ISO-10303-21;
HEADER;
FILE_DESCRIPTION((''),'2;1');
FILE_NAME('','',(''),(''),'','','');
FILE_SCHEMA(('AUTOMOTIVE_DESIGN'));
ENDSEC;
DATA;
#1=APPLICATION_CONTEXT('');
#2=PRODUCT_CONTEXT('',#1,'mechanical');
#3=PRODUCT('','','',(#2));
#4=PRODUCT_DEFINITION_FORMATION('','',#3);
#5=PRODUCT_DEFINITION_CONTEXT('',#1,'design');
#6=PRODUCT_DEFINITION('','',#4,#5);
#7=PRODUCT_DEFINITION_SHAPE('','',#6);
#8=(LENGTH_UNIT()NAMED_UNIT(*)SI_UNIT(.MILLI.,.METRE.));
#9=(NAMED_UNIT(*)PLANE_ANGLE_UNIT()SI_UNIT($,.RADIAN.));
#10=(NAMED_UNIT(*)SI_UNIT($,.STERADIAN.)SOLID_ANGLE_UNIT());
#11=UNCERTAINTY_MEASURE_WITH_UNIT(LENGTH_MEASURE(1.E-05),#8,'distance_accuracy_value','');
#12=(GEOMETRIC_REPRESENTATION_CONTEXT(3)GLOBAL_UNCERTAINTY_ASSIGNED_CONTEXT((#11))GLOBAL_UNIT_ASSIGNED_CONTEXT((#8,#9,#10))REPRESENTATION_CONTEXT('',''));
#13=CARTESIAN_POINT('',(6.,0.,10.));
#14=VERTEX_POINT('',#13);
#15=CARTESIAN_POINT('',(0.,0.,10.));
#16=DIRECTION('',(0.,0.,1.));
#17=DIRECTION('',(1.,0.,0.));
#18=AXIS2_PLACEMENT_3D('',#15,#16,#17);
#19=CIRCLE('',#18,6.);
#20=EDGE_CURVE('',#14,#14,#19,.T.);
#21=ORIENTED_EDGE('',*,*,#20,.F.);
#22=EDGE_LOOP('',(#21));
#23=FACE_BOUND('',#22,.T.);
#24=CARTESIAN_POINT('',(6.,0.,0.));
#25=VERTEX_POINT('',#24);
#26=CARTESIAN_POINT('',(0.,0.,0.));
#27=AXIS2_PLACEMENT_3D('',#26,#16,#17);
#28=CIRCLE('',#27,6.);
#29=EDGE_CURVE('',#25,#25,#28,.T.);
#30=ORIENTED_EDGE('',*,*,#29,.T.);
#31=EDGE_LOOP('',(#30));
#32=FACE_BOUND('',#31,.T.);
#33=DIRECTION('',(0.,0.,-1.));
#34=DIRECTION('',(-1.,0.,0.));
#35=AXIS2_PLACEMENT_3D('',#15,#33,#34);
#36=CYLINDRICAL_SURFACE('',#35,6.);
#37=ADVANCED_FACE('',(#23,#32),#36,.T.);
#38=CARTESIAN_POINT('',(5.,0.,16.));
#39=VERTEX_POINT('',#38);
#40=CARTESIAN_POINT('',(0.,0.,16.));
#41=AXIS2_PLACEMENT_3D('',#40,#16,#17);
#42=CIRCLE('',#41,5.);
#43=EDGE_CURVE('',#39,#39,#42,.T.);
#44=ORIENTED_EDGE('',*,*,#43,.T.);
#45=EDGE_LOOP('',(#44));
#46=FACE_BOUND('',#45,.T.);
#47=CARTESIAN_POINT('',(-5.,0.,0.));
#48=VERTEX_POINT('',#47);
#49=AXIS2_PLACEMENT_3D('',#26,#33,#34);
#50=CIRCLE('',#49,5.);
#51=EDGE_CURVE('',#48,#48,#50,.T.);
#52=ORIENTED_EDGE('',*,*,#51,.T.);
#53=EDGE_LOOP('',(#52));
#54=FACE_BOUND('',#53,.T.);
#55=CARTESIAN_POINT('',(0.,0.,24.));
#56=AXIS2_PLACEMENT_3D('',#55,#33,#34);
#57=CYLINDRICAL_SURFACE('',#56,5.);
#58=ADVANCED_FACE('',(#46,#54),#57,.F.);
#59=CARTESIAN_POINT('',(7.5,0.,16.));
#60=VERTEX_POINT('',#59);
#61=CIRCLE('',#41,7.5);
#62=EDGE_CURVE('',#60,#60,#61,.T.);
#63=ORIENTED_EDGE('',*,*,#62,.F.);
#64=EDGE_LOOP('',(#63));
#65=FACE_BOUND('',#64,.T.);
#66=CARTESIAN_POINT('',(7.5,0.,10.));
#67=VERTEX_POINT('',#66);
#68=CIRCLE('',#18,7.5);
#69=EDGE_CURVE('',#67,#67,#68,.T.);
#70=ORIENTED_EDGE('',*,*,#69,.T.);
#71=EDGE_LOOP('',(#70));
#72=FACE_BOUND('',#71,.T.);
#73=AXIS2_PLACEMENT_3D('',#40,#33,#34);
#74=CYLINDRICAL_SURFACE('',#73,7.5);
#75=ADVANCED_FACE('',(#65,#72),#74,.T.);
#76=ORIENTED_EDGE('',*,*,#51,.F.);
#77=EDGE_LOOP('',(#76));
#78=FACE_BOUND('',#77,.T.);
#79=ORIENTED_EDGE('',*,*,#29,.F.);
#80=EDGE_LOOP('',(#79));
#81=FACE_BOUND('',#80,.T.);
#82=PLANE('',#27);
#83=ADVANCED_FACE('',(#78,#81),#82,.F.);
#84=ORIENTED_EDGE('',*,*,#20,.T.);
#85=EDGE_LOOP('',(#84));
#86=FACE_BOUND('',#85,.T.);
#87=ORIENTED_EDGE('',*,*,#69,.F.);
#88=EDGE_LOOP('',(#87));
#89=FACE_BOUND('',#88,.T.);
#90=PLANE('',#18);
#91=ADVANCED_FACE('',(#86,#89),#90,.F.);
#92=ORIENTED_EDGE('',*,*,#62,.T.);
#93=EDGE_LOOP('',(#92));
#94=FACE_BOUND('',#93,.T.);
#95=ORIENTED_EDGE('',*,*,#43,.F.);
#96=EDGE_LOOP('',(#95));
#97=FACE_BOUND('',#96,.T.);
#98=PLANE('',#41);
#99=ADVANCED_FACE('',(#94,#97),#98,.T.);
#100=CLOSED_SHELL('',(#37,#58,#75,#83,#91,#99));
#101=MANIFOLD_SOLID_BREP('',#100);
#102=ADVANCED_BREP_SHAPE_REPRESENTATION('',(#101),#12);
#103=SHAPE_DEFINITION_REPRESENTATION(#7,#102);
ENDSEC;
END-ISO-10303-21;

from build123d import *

# Parameters (mm, degrees)
SKETCH_1_R          = 6
EXTRUDE_1_DEPTH     = 10
SKETCH_2_R          = 7.5
EXTRUDE_2_DEPTH     = 6
SKETCH_3_R          = 5
CUT_EXTRUDE_1_DEPTH = 24


with BuildPart() as part:
    # 草图1 → 凸台-拉伸1 (new body)
    with BuildSketch(Plane.XY):
        Circle(SKETCH_1_R)
    extrude(amount=EXTRUDE_1_DEPTH)

    # 草图2 → 凸台-拉伸2 (add)
    with BuildSketch(Plane.XY.offset(10)):
        Circle(SKETCH_2_R)
    extrude(amount=EXTRUDE_2_DEPTH)

    # 草图3 → 切除-拉伸1 (cut)
    with BuildSketch(Plane(origin=(0, 0, 0), x_dir=(-1, 0, 0), z_dir=(0, 0, -1))):
        Circle(SKETCH_3_R)
    extrude(amount=-CUT_EXTRUDE_1_DEPTH, mode=Mode.SUBTRACT)


solid = part.part
